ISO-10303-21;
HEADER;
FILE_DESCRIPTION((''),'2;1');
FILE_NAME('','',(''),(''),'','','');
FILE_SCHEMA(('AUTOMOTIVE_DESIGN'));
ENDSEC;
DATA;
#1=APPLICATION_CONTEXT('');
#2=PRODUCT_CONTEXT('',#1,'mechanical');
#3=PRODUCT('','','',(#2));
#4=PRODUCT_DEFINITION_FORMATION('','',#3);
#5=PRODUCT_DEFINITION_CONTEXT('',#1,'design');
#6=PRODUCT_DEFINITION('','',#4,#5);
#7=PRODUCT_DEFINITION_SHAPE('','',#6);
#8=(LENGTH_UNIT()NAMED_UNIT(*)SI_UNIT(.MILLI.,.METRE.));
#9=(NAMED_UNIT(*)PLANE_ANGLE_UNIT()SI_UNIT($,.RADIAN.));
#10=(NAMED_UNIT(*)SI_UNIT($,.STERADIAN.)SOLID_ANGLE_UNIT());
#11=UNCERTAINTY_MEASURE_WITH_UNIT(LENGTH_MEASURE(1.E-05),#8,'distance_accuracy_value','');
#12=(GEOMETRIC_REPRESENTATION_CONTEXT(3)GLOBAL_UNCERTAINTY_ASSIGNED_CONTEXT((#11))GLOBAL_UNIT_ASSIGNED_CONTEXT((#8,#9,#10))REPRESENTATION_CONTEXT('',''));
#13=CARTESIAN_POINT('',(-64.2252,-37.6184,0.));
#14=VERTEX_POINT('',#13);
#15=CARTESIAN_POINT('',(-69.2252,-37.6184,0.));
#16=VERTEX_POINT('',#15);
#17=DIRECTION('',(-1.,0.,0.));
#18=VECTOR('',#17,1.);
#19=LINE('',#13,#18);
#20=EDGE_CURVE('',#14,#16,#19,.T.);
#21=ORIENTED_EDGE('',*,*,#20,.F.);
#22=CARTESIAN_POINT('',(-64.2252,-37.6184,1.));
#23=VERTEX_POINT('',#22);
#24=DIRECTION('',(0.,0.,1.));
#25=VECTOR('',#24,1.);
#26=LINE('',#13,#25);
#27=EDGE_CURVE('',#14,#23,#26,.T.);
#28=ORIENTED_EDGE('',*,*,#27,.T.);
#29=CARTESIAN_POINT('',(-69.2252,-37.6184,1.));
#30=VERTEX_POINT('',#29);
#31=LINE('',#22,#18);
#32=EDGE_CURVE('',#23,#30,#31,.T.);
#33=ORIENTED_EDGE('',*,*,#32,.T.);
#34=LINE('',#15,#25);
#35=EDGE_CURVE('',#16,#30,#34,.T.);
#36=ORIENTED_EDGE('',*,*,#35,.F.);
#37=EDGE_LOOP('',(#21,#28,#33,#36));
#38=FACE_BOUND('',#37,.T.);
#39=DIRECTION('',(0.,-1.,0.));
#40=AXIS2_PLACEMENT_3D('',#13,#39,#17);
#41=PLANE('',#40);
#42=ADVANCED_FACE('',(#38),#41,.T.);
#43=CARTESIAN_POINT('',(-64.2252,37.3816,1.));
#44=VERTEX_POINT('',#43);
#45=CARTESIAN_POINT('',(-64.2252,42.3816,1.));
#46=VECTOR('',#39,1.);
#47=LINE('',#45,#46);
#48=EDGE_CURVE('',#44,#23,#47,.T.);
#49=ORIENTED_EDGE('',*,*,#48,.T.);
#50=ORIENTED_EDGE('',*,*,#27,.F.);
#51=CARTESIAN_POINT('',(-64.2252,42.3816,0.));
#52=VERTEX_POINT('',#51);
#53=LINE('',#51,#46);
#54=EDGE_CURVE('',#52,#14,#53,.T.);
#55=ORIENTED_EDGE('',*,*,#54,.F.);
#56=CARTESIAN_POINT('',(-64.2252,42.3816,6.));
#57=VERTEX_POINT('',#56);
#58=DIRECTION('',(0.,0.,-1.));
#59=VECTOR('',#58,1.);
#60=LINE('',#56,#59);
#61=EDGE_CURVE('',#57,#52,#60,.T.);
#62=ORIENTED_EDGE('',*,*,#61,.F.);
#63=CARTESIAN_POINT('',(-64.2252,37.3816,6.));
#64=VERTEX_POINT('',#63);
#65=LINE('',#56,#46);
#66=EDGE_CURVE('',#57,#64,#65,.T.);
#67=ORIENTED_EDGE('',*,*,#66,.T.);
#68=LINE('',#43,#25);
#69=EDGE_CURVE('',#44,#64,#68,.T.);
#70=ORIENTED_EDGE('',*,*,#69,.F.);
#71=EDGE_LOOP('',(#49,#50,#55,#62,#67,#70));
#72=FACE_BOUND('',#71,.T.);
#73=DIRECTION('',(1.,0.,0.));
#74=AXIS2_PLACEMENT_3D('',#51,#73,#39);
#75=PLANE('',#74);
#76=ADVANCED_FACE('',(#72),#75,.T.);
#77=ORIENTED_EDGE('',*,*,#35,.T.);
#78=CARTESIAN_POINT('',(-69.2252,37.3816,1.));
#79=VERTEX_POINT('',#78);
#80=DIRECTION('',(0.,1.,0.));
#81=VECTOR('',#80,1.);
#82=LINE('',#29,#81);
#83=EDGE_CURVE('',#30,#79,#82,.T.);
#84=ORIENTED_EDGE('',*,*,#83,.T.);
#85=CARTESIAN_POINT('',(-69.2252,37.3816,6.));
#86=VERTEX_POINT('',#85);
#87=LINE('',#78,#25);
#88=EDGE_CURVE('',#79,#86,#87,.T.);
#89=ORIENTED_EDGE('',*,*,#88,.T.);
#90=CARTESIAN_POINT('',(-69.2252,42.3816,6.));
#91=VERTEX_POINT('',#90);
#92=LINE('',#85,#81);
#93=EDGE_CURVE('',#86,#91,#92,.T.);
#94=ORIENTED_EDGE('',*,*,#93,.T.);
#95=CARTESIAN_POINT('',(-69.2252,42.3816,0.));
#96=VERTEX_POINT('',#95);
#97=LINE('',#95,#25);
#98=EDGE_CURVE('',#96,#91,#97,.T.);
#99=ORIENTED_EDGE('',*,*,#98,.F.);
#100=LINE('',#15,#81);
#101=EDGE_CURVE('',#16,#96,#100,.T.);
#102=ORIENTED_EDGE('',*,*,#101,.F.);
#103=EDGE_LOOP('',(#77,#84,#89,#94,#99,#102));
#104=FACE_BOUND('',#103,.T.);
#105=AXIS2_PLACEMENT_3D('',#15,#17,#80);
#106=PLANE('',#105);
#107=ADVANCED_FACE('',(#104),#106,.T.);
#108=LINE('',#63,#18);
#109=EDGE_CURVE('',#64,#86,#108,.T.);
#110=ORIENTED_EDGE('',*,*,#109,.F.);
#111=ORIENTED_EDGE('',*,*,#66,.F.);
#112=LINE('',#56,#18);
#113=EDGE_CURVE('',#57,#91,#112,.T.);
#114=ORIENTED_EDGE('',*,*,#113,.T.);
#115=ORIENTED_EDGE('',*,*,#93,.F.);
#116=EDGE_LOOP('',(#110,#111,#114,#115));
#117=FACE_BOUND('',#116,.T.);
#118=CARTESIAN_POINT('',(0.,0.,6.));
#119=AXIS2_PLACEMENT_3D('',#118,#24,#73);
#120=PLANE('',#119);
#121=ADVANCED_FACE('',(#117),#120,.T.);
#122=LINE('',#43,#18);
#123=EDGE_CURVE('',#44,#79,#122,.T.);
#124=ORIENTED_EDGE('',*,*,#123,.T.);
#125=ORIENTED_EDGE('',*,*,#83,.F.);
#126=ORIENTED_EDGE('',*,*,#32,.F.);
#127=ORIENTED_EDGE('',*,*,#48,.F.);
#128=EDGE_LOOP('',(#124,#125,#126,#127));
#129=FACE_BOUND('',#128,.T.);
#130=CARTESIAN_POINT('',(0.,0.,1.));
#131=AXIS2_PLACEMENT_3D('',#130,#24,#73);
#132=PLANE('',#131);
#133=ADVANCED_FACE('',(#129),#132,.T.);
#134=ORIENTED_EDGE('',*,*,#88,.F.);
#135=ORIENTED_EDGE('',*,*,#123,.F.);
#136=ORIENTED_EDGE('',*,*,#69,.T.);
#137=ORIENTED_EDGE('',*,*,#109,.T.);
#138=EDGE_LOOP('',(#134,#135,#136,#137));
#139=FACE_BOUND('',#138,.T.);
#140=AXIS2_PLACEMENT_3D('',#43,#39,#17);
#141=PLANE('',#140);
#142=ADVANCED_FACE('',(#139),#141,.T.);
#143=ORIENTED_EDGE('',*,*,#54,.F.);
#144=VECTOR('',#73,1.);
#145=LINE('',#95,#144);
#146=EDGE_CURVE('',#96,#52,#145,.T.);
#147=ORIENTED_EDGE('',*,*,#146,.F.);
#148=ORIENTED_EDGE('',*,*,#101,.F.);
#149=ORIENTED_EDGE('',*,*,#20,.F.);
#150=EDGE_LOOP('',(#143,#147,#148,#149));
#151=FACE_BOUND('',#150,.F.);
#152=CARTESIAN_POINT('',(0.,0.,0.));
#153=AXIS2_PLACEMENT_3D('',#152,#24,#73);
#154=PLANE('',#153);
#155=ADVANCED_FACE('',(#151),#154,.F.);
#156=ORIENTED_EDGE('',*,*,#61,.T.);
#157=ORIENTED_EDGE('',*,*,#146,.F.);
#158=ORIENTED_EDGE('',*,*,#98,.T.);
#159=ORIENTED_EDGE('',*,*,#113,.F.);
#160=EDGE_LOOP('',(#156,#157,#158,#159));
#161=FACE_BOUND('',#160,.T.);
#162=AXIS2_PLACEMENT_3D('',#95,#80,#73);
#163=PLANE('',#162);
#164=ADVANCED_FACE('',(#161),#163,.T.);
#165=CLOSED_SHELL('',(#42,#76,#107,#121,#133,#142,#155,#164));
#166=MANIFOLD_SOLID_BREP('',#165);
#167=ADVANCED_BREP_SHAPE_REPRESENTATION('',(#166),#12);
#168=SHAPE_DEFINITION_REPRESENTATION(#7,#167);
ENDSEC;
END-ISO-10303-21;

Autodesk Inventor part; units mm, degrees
ref_plane "YZ Plane" through (0, 0, 0) normal (1, 0, 0) x (0, 1, 0)
ref_plane "XZ Plane" through (0, 0, 0) normal (0, 1, 0) x (-1, 0, 0)
ref_plane "XY Plane" through (0, 0, 0) normal (0, 0, 1) x (1, 0, 0)
sketch "스케치1" plane through (0, 0, 0) normal (0, 0, 1) x (1, 0, 0)
  line L0 (-69.2252, 42.3816) -> (-64.2252, 42.3816)
  line L1 (-64.2252, 42.3816) -> (-64.2252, -37.6184)
  line L2 (-64.2252, -37.6184) -> (-69.2252, -37.6184)
  line L3 (-69.2252, -37.6184) -> (-69.2252, 42.3816)
  point P0 (0, 0)
  point P1 (-66.7252, 42.3816)
  dimension "d0" = 5
  dimension "d1" = 80
extrude "돌출1" add sketch "스케치1" along normal blind 1
sketch "스케치2" plane through (0, 0, 1) normal (0, 0, 1) x (1, 0, 0)
  line L0 (-64.2252, 42.3816) -> (-69.2252, 42.3816) projected
  line L1 (-69.2252, 42.3816) -> (-64.2252, 42.3816)
  line L2 (-64.2252, 42.3816) -> (-64.2252, 37.3816)
  line L3 (-64.2252, 37.3816) -> (-69.2252, 37.3816)
  line L4 (-69.2252, 37.3816) -> (-69.2252, 42.3816)
  point P0 (0, 0)
  dimension "d7" = 5
  dimension "d8" = 5
extrude "돌출2" add sketch "스케치2" along normal blind 5
properties part number "display lock pin_3D 인쇄"
